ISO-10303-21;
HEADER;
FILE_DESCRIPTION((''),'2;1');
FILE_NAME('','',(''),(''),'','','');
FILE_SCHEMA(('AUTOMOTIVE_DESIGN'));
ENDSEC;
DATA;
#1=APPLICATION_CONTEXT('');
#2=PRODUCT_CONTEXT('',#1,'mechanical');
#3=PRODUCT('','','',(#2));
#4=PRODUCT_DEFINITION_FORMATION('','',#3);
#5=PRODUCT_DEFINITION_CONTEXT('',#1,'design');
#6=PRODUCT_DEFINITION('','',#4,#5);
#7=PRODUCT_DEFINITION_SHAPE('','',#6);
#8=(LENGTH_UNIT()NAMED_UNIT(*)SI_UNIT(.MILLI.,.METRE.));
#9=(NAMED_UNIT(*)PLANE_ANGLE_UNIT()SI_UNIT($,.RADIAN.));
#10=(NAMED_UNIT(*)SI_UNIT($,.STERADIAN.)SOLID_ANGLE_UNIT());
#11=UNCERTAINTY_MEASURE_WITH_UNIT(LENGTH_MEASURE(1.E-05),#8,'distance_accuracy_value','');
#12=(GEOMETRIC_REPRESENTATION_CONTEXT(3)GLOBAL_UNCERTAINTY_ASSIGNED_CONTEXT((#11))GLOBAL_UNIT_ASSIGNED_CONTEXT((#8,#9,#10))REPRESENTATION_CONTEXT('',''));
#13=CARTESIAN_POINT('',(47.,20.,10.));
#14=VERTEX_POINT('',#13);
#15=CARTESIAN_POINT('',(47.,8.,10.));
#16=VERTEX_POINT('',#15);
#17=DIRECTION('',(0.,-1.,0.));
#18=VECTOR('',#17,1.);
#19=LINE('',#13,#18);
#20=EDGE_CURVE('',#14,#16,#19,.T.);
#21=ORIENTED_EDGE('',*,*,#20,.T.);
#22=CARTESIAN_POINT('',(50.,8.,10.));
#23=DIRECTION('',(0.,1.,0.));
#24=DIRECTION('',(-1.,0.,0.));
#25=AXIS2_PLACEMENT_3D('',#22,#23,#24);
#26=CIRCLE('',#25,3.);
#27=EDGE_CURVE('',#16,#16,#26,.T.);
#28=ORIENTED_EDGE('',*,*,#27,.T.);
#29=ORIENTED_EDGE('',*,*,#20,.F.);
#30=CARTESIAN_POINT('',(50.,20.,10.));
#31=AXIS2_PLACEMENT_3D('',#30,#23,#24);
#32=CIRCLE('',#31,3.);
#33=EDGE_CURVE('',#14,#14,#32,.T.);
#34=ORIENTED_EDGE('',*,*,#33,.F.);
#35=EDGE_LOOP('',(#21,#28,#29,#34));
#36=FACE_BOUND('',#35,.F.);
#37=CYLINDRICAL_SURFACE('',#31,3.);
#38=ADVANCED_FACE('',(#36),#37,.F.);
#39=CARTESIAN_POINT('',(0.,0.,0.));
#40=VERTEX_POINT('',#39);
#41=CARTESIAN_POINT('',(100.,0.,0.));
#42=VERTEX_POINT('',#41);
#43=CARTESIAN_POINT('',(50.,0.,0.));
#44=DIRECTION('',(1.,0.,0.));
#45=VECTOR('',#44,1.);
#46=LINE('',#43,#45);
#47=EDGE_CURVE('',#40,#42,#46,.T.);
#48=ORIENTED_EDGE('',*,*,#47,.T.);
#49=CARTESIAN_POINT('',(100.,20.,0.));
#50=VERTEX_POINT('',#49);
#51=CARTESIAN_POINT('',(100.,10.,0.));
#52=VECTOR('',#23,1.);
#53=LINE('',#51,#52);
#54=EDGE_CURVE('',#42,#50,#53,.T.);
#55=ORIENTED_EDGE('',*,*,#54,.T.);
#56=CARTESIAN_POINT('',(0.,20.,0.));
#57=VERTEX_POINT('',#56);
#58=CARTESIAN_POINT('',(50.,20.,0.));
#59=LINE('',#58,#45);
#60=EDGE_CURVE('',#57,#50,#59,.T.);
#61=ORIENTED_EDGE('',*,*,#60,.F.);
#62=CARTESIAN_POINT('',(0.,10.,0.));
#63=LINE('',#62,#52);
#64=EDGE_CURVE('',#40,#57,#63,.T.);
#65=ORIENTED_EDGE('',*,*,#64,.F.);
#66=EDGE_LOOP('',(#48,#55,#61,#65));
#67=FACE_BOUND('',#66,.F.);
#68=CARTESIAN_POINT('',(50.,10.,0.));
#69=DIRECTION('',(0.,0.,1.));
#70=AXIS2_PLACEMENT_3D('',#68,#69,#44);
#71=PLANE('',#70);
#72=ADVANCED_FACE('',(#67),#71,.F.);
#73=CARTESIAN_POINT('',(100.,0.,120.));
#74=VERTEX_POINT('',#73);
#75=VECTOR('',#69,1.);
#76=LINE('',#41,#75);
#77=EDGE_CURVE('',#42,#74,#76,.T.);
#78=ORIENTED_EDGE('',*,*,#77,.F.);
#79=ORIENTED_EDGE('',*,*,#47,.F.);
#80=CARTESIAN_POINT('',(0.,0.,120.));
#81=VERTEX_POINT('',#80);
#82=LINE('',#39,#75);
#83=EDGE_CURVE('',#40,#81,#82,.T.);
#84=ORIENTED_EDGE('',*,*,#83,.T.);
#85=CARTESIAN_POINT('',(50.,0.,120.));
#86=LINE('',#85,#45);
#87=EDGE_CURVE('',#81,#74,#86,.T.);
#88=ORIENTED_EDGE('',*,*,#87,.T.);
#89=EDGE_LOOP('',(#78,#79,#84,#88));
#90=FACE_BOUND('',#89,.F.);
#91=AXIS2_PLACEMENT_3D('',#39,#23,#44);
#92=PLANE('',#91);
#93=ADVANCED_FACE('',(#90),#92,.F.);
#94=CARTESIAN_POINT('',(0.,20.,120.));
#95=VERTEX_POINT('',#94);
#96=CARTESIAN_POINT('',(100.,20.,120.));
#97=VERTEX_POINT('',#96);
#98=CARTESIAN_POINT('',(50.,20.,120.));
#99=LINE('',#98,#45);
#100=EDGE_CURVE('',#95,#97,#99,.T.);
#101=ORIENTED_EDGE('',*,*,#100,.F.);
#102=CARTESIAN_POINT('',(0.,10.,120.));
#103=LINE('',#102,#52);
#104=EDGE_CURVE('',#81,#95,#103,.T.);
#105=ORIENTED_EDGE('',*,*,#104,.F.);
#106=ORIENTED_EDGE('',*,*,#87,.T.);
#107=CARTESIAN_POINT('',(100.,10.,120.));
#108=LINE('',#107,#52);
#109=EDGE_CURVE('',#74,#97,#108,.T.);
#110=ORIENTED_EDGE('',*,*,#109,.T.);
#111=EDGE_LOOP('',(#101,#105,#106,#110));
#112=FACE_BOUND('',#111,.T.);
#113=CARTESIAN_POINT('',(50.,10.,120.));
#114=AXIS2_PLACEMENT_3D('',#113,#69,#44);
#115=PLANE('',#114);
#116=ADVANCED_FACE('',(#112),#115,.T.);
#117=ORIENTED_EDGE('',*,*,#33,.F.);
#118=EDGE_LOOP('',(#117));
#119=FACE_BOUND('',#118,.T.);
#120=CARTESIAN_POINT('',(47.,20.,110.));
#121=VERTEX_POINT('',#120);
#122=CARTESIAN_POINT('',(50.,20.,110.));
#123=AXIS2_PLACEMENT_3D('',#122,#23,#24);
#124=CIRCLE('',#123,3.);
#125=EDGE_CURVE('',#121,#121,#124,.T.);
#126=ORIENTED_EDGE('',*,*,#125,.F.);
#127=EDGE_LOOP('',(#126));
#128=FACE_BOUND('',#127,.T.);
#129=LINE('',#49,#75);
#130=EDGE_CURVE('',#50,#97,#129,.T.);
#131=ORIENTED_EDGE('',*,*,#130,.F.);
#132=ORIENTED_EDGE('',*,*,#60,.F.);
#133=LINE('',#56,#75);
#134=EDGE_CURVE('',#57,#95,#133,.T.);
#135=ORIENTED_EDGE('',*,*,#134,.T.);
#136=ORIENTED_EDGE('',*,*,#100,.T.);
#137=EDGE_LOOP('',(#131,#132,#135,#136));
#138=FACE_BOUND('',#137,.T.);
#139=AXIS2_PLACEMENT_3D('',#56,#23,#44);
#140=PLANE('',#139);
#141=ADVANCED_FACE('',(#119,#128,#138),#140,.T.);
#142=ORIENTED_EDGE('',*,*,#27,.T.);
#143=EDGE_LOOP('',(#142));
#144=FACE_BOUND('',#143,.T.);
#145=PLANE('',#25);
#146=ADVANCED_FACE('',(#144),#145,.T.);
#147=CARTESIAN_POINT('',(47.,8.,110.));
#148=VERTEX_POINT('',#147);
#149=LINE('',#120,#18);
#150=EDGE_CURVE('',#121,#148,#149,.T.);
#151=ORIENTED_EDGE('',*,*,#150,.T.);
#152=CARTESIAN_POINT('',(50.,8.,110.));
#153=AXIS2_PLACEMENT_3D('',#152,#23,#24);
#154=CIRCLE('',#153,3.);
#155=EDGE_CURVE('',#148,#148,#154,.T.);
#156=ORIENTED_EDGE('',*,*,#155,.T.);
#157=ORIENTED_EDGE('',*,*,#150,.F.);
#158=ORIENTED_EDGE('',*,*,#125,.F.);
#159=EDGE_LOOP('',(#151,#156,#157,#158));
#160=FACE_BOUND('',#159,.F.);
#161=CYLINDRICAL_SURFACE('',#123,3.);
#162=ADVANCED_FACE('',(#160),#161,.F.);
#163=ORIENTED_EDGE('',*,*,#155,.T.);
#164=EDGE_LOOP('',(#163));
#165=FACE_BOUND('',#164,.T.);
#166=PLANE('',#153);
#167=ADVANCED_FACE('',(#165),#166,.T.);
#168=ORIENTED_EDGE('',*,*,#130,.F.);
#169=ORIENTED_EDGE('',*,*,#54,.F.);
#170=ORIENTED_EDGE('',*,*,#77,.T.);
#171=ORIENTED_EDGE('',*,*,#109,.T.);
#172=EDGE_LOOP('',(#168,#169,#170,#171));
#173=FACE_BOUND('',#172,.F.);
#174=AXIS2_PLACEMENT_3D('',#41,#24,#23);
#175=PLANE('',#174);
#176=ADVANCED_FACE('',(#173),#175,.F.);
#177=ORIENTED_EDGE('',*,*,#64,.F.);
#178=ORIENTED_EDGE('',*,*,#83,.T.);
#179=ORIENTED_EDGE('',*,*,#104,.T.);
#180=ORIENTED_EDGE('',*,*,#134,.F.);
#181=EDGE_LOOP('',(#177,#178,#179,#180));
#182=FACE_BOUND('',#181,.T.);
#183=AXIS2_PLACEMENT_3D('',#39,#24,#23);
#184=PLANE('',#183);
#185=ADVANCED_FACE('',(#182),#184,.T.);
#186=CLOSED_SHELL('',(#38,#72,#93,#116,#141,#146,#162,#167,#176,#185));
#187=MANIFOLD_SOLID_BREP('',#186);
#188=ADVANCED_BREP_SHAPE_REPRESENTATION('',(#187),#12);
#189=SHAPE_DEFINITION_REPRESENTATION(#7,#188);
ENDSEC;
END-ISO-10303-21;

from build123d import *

# Parameters (mm, degrees)
F0_W     = 100
F0_H     = 20
F1_DEPTH = 120
F2_R     = 3
F3_DEPTH = 12
F4_R     = 3
F5_DEPTH = 12


with BuildPart() as f1:
    # F0 (on Top) → F1 (new body)
    with BuildSketch(Plane.XY):
        with Locations((50, 10)):
            Rectangle(F0_W, F0_H)
    extrude(amount=F1_DEPTH)

    # F2 (on face) → F3 (cut)
    with BuildSketch(Plane(origin=(0, 20, 0), x_dir=(-1, 0, 0), z_dir=(0, 1, 0))):
        with Locations((-50, 110)):
            Circle(F2_R)
    extrude(amount=-F3_DEPTH, mode=Mode.SUBTRACT)

    # F4 (on face) → F5 (cut)
    with BuildSketch(Plane(origin=(0, 20, 0), x_dir=(-1, 0, 0), z_dir=(0, 1, 0))):
        with Locations((-50, 10)):
            Circle(F4_R)
    extrude(amount=-F5_DEPTH, mode=Mode.SUBTRACT)


solid = f1.part
